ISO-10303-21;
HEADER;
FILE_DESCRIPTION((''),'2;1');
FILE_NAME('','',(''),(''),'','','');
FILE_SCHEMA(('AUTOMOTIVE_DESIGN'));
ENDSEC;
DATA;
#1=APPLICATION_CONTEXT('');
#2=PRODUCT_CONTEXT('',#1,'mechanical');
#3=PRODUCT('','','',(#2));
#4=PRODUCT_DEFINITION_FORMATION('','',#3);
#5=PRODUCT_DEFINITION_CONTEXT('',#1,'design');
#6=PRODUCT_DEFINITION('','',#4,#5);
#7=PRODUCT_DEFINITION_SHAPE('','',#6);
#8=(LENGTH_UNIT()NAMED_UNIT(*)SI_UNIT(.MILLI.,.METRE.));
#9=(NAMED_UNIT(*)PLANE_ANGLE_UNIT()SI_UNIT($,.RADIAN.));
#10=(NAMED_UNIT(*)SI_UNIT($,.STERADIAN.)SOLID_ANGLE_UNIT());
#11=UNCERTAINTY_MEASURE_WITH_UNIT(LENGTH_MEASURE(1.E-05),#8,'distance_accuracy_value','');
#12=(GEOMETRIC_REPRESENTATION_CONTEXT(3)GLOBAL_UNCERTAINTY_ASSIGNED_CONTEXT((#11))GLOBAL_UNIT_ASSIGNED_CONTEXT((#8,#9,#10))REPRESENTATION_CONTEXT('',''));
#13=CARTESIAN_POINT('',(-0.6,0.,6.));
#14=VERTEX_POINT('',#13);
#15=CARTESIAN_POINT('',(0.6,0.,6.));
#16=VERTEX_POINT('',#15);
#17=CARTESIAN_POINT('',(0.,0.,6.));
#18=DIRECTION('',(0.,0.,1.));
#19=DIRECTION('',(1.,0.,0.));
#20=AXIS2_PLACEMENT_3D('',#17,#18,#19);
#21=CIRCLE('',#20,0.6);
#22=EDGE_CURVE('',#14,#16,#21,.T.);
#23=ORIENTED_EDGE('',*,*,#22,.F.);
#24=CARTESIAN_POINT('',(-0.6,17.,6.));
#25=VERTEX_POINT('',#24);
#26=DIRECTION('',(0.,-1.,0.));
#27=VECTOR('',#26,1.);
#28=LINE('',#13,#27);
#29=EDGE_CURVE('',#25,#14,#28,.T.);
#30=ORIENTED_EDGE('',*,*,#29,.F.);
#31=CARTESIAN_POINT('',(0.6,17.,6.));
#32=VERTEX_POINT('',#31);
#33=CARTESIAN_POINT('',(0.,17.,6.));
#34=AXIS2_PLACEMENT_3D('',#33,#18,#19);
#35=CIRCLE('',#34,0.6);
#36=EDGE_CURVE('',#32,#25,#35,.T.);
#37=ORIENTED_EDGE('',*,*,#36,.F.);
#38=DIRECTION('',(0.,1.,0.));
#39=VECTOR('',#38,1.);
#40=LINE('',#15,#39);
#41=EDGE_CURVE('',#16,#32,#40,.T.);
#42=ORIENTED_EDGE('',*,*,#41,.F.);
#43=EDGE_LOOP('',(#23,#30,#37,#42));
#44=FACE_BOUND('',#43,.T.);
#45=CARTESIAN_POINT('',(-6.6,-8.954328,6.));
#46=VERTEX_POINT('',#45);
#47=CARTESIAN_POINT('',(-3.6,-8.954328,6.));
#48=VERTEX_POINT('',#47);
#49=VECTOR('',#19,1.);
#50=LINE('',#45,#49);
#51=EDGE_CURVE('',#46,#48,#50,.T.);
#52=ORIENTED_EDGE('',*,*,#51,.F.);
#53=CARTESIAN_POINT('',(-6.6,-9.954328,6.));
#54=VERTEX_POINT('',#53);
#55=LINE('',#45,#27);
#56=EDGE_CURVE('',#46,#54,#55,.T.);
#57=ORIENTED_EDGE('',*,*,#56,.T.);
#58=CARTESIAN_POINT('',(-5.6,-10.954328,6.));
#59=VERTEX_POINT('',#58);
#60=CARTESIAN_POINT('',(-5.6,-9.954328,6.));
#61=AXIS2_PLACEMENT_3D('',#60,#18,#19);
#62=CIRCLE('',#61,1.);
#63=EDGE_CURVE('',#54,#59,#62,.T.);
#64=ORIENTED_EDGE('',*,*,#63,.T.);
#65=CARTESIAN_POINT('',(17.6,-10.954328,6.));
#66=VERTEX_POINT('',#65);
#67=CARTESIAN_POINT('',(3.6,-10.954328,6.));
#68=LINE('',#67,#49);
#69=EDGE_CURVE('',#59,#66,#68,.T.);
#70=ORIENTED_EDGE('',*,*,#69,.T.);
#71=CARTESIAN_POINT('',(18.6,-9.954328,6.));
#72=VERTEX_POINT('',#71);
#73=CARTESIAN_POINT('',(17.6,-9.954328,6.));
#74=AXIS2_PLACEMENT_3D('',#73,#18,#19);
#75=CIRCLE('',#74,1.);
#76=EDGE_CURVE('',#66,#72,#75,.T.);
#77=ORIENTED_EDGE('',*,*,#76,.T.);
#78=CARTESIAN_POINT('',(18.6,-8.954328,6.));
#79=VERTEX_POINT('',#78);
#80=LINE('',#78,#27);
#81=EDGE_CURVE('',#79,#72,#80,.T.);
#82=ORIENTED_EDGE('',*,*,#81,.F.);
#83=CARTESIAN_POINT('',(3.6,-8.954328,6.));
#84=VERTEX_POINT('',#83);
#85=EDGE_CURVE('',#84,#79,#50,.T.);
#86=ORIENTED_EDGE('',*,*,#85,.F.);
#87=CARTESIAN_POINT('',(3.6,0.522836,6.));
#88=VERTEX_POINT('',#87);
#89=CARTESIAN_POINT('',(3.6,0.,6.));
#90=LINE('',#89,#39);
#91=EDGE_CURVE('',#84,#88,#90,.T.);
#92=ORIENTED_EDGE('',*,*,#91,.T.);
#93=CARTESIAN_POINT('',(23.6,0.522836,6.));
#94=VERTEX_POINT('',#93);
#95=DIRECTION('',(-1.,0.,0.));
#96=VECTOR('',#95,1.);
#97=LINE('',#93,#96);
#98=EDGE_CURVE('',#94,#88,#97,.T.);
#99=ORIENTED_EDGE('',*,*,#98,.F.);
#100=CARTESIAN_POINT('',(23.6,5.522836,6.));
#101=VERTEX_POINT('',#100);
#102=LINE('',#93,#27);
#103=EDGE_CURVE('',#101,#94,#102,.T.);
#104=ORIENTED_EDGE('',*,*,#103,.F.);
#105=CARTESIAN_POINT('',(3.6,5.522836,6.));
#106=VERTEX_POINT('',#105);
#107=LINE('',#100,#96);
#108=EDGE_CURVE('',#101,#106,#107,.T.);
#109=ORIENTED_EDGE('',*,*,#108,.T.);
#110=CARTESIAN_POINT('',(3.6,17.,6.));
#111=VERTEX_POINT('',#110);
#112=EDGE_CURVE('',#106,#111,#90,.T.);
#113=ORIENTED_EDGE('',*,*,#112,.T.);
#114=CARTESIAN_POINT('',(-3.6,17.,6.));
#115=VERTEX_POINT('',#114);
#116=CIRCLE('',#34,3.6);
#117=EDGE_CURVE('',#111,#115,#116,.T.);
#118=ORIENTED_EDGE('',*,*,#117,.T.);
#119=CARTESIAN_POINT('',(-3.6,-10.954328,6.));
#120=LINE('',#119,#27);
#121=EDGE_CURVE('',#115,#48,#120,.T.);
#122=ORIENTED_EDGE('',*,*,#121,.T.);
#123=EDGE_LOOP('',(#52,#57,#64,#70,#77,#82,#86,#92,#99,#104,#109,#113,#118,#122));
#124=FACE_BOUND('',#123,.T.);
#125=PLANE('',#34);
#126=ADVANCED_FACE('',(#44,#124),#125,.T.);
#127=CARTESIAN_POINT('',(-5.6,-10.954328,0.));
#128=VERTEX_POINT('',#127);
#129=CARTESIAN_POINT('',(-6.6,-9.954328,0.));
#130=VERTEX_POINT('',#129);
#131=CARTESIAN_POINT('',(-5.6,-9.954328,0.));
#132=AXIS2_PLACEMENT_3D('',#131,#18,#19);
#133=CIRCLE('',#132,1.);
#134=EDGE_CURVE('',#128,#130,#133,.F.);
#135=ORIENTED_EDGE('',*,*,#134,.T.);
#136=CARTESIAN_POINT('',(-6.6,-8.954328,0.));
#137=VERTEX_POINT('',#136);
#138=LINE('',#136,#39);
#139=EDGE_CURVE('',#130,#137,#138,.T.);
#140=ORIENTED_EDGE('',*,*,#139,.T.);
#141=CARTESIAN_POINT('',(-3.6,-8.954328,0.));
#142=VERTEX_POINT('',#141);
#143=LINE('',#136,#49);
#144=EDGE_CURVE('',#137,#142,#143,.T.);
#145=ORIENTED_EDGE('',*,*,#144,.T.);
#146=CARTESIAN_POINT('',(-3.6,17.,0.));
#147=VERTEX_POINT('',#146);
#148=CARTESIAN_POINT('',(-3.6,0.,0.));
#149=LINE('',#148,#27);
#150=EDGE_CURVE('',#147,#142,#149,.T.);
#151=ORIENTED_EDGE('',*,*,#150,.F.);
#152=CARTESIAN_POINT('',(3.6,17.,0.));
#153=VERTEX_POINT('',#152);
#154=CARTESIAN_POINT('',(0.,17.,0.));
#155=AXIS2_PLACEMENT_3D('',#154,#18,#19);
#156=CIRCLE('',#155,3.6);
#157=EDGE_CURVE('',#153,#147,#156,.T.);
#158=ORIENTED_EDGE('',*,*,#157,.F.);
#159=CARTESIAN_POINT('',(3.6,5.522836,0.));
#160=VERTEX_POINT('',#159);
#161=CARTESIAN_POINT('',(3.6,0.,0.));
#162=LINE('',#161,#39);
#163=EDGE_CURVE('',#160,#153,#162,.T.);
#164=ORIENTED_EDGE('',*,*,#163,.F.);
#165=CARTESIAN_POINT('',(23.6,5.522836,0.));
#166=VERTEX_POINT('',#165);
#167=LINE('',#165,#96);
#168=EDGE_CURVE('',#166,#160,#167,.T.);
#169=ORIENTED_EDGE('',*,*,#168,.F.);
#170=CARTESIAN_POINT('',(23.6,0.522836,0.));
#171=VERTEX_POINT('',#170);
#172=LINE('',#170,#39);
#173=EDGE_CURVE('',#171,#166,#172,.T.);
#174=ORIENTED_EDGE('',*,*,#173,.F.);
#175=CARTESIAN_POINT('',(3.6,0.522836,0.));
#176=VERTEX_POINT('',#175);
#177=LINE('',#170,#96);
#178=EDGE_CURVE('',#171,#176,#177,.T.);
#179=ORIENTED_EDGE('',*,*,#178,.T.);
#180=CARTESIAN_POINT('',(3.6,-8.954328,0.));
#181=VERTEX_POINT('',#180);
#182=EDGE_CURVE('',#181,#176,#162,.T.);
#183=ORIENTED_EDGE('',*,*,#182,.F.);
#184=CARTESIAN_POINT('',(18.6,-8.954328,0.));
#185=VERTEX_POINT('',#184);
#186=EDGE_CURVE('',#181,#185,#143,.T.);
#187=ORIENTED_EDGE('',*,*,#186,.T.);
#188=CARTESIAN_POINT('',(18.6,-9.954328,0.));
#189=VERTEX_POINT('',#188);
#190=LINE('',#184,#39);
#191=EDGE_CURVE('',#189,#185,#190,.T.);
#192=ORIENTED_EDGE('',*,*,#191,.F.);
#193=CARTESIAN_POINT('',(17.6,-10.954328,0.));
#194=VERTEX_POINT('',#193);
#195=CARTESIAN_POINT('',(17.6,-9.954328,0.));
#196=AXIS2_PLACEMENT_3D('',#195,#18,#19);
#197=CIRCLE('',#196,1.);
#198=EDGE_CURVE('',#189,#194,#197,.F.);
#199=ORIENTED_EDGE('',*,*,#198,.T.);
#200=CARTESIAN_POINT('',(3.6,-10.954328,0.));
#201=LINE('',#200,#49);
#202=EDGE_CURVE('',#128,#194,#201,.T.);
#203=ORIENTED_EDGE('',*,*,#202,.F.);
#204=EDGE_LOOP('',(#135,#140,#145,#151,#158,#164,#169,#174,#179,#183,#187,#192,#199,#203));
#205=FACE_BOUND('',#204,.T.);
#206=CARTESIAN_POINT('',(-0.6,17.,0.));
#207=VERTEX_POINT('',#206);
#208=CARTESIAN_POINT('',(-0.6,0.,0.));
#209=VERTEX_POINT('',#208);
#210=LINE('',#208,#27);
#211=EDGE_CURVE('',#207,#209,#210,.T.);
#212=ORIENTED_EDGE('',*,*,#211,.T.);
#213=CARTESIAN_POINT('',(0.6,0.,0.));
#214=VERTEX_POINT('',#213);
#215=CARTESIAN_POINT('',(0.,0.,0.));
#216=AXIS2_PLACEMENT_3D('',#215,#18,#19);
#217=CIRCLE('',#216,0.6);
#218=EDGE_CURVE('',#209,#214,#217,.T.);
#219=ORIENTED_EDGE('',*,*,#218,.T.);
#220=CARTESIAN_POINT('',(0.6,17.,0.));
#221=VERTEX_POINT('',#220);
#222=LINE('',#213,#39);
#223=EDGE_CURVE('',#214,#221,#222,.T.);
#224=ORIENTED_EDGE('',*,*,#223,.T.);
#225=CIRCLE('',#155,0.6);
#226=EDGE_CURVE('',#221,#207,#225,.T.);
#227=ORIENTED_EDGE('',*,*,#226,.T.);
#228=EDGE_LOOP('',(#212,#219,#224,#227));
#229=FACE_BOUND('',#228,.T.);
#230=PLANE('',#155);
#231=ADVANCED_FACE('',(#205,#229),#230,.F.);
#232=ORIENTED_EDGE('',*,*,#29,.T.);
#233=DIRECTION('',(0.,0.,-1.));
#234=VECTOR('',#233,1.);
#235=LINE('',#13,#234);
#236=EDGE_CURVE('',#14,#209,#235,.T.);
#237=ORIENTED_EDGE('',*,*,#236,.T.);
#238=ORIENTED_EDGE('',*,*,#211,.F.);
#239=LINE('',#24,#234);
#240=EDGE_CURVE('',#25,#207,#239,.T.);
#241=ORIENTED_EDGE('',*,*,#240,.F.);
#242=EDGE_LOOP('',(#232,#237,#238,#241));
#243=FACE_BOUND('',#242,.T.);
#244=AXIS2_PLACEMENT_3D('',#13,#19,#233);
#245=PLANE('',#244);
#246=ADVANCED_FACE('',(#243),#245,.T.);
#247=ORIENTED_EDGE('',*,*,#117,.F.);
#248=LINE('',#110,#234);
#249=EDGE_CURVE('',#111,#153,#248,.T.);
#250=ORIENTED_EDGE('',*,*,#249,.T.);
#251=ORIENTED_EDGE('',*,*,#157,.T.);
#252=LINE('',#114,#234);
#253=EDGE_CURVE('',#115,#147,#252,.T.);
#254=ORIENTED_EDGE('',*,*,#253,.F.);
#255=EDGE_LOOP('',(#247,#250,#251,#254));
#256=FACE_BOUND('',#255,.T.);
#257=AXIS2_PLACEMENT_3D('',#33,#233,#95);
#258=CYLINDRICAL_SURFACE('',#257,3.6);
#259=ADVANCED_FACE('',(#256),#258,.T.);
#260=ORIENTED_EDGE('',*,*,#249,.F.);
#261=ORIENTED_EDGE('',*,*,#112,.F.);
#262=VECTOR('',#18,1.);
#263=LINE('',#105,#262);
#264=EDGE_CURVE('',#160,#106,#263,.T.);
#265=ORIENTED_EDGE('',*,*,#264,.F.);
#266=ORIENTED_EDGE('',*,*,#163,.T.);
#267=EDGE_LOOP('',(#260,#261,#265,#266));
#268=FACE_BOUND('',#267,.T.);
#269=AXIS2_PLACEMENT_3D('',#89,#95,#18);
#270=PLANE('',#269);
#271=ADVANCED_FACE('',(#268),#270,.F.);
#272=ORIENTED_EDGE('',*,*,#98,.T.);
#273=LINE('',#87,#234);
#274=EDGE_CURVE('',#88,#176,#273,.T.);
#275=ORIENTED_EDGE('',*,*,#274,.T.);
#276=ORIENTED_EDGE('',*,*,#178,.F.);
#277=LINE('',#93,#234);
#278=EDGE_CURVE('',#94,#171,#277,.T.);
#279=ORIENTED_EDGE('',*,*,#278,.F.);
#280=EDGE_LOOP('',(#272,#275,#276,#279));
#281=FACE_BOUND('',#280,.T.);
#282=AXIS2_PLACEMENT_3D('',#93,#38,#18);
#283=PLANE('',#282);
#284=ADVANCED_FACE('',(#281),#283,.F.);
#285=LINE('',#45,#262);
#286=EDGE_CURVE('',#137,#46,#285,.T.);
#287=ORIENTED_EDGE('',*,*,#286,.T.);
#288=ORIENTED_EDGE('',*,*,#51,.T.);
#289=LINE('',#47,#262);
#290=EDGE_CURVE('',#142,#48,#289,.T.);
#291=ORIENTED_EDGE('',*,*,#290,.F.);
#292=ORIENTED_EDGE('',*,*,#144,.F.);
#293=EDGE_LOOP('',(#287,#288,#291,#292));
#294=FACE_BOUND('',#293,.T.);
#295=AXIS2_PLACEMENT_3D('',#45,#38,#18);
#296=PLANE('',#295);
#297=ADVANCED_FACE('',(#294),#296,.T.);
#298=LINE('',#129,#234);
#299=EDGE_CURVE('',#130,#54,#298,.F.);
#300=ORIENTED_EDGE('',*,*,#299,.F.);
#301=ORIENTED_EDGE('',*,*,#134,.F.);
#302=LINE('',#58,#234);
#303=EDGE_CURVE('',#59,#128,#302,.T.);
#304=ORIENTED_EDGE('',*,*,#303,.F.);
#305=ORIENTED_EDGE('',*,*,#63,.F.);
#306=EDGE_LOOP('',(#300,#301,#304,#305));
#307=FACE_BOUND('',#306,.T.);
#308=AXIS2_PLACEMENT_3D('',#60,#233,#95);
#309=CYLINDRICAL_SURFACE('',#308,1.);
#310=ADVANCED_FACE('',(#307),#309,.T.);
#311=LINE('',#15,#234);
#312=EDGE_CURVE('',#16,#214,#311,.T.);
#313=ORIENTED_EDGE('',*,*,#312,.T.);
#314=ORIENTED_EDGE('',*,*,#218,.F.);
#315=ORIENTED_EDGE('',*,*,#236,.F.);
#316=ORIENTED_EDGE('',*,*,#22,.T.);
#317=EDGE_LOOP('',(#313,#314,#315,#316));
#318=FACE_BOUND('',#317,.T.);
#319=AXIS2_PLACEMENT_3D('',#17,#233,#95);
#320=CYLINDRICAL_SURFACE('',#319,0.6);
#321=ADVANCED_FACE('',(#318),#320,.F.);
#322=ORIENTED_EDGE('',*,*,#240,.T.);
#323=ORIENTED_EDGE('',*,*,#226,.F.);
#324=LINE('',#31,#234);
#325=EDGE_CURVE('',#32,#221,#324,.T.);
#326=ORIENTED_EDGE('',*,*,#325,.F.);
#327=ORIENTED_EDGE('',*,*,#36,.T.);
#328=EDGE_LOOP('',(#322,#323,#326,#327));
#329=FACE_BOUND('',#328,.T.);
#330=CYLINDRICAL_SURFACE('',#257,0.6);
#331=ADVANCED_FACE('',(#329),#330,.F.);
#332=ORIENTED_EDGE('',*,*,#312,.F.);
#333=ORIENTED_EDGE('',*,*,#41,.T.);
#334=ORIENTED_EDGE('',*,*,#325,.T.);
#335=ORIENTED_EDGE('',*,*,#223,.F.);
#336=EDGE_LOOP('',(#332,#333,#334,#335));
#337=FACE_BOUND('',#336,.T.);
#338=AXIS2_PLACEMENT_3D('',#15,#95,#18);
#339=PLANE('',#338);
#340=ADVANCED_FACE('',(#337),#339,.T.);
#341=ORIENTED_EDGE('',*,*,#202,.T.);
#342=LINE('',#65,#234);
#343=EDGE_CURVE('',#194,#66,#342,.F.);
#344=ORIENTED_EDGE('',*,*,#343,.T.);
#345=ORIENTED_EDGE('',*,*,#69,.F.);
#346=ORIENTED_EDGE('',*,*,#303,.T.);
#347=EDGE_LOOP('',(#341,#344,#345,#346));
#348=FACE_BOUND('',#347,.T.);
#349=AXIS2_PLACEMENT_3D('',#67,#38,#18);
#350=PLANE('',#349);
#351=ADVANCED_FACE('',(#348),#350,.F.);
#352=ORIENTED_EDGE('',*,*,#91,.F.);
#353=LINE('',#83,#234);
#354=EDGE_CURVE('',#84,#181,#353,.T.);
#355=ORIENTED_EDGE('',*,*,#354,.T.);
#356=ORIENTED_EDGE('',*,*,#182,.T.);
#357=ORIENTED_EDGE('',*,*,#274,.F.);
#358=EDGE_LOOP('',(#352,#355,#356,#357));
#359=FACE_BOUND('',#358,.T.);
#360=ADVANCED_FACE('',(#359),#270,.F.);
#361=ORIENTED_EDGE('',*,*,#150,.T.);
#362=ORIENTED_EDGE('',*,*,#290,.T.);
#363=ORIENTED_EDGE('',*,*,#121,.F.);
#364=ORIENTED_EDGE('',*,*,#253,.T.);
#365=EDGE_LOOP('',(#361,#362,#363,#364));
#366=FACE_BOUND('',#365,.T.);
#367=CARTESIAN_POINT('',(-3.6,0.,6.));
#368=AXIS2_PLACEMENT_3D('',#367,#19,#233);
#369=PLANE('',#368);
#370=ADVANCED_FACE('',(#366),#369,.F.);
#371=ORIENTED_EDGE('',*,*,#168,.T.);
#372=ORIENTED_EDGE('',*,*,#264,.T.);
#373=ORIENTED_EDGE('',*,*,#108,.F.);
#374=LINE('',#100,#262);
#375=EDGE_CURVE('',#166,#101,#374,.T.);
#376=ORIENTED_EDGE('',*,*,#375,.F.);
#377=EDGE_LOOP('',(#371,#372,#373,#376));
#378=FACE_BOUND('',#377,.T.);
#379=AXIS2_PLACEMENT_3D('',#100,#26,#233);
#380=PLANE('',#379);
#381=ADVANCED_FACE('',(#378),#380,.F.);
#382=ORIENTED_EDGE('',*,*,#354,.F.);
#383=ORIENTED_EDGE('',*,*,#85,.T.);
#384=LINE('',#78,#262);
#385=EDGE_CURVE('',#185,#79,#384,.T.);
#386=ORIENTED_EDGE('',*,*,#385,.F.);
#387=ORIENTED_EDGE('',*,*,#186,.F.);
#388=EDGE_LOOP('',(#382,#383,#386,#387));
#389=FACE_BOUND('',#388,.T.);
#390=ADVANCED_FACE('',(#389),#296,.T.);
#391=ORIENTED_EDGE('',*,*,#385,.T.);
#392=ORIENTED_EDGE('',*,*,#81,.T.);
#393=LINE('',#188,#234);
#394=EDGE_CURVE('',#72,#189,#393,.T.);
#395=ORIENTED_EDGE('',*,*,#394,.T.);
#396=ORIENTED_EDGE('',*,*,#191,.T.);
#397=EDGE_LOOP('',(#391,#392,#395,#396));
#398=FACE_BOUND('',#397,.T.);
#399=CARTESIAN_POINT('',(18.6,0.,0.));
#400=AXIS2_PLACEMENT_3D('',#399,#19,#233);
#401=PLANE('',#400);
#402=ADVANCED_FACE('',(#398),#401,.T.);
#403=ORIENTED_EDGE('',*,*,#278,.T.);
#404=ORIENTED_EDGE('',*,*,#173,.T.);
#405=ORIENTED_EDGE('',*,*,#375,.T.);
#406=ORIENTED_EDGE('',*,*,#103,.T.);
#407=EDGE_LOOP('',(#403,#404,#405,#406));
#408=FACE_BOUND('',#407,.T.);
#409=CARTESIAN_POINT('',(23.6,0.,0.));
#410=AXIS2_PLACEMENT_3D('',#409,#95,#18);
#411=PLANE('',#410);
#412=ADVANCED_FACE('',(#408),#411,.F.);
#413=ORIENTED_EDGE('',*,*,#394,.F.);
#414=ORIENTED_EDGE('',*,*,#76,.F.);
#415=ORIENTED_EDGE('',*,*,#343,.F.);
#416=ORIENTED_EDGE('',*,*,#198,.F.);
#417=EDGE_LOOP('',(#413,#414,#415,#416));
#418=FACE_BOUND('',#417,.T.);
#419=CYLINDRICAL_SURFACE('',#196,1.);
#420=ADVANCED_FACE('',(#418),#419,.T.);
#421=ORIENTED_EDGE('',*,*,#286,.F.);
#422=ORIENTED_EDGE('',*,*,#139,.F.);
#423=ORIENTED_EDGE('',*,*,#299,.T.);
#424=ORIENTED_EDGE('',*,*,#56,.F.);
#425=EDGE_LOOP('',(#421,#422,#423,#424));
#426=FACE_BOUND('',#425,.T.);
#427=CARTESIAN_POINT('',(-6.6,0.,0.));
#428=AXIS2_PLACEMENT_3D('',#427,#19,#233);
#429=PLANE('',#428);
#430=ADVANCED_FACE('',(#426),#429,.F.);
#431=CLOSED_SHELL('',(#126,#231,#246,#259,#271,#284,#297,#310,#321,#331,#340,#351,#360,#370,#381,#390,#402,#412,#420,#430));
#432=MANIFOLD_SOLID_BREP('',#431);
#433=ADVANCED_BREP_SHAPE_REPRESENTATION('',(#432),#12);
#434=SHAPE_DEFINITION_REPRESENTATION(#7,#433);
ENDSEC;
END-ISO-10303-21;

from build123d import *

# Parameters (mm, degrees)
BOSS_EXTRUDE1_DEPTH  = 6
SKETCH2_W            = 6
SKETCH2_H            = 5
BOSS_EXTRUDE2_DEPTH  = 20
EXTRUDE_1_DEPTH      = 15
EXTRUDE_1_DEPTH_BACK = 10.2
SKETCH_2_W           = 6
SKETCH_2_H           = 2
FILLET_3_R           = 1


with BuildPart() as part:
    # Sketch1 → Boss-Extrude1 (new body)
    with BuildSketch(Plane.XY):
        with BuildLine():
            Line((-3.6, 0), (-3.6, 17))
            ThreePointArc((-3.6, 17), (0, 20.6), (3.6, 17))
            Line((3.6, 17), (3.6, 0))
            Line((3.6, 0), (3.6, -10.95432829))
            Line((3.6, -10.95432829), (-3.6, -10.95432829))
            Line((-3.6, -10.95432829), (-3.6, 0))
        make_face()
        with BuildLine():
            Line((-0.6, 0), (-0.6, 17))
            ThreePointArc((-0.6, 17), (0, 17.6), (0.6, 17))
            Line((0.6, 17), (0.6, 0))
            ThreePointArc((0.6, 0), (0, -0.6), (-0.6, 0))
        make_face(mode=Mode.SUBTRACT)
    extrude(amount=BOSS_EXTRUDE1_DEPTH)

    # Sketch2 → Boss-Extrude2 (add)
    with BuildSketch(Plane(origin=(3.6, 0, 0), x_dir=(0, 0, -1), z_dir=(1, 0, 0))):
        with Locations((-3, 3.022835855)):
            Rectangle(SKETCH2_W, SKETCH2_H)
    extrude(amount=BOSS_EXTRUDE2_DEPTH)

    # Эскиз2 → Бобышка-Вытянуть1 (add, two sides: drawn at the far end of the back side and taken through both)
    with BuildSketch(Plane(origin=(3.6, 0, 0), x_dir=(0, 0, -1), z_dir=(1, 0, 0)).offset(-EXTRUDE_1_DEPTH_BACK)):
        with Locations((-3, -9.95432829)):
            Rectangle(SKETCH_2_W, SKETCH_2_H)
    extrude(amount=EXTRUDE_1_DEPTH + EXTRUDE_1_DEPTH_BACK)

    # Скругление3
    fillet_3_edges = [part.edges().sort_by_distance(p)[0] for p in [
        (-6.6, -10.95432829, 3),
        (18.6, -10.95432829, 3),
    ]]
    fillet(fillet_3_edges, radius=FILLET_3_R)


solid = part.part
